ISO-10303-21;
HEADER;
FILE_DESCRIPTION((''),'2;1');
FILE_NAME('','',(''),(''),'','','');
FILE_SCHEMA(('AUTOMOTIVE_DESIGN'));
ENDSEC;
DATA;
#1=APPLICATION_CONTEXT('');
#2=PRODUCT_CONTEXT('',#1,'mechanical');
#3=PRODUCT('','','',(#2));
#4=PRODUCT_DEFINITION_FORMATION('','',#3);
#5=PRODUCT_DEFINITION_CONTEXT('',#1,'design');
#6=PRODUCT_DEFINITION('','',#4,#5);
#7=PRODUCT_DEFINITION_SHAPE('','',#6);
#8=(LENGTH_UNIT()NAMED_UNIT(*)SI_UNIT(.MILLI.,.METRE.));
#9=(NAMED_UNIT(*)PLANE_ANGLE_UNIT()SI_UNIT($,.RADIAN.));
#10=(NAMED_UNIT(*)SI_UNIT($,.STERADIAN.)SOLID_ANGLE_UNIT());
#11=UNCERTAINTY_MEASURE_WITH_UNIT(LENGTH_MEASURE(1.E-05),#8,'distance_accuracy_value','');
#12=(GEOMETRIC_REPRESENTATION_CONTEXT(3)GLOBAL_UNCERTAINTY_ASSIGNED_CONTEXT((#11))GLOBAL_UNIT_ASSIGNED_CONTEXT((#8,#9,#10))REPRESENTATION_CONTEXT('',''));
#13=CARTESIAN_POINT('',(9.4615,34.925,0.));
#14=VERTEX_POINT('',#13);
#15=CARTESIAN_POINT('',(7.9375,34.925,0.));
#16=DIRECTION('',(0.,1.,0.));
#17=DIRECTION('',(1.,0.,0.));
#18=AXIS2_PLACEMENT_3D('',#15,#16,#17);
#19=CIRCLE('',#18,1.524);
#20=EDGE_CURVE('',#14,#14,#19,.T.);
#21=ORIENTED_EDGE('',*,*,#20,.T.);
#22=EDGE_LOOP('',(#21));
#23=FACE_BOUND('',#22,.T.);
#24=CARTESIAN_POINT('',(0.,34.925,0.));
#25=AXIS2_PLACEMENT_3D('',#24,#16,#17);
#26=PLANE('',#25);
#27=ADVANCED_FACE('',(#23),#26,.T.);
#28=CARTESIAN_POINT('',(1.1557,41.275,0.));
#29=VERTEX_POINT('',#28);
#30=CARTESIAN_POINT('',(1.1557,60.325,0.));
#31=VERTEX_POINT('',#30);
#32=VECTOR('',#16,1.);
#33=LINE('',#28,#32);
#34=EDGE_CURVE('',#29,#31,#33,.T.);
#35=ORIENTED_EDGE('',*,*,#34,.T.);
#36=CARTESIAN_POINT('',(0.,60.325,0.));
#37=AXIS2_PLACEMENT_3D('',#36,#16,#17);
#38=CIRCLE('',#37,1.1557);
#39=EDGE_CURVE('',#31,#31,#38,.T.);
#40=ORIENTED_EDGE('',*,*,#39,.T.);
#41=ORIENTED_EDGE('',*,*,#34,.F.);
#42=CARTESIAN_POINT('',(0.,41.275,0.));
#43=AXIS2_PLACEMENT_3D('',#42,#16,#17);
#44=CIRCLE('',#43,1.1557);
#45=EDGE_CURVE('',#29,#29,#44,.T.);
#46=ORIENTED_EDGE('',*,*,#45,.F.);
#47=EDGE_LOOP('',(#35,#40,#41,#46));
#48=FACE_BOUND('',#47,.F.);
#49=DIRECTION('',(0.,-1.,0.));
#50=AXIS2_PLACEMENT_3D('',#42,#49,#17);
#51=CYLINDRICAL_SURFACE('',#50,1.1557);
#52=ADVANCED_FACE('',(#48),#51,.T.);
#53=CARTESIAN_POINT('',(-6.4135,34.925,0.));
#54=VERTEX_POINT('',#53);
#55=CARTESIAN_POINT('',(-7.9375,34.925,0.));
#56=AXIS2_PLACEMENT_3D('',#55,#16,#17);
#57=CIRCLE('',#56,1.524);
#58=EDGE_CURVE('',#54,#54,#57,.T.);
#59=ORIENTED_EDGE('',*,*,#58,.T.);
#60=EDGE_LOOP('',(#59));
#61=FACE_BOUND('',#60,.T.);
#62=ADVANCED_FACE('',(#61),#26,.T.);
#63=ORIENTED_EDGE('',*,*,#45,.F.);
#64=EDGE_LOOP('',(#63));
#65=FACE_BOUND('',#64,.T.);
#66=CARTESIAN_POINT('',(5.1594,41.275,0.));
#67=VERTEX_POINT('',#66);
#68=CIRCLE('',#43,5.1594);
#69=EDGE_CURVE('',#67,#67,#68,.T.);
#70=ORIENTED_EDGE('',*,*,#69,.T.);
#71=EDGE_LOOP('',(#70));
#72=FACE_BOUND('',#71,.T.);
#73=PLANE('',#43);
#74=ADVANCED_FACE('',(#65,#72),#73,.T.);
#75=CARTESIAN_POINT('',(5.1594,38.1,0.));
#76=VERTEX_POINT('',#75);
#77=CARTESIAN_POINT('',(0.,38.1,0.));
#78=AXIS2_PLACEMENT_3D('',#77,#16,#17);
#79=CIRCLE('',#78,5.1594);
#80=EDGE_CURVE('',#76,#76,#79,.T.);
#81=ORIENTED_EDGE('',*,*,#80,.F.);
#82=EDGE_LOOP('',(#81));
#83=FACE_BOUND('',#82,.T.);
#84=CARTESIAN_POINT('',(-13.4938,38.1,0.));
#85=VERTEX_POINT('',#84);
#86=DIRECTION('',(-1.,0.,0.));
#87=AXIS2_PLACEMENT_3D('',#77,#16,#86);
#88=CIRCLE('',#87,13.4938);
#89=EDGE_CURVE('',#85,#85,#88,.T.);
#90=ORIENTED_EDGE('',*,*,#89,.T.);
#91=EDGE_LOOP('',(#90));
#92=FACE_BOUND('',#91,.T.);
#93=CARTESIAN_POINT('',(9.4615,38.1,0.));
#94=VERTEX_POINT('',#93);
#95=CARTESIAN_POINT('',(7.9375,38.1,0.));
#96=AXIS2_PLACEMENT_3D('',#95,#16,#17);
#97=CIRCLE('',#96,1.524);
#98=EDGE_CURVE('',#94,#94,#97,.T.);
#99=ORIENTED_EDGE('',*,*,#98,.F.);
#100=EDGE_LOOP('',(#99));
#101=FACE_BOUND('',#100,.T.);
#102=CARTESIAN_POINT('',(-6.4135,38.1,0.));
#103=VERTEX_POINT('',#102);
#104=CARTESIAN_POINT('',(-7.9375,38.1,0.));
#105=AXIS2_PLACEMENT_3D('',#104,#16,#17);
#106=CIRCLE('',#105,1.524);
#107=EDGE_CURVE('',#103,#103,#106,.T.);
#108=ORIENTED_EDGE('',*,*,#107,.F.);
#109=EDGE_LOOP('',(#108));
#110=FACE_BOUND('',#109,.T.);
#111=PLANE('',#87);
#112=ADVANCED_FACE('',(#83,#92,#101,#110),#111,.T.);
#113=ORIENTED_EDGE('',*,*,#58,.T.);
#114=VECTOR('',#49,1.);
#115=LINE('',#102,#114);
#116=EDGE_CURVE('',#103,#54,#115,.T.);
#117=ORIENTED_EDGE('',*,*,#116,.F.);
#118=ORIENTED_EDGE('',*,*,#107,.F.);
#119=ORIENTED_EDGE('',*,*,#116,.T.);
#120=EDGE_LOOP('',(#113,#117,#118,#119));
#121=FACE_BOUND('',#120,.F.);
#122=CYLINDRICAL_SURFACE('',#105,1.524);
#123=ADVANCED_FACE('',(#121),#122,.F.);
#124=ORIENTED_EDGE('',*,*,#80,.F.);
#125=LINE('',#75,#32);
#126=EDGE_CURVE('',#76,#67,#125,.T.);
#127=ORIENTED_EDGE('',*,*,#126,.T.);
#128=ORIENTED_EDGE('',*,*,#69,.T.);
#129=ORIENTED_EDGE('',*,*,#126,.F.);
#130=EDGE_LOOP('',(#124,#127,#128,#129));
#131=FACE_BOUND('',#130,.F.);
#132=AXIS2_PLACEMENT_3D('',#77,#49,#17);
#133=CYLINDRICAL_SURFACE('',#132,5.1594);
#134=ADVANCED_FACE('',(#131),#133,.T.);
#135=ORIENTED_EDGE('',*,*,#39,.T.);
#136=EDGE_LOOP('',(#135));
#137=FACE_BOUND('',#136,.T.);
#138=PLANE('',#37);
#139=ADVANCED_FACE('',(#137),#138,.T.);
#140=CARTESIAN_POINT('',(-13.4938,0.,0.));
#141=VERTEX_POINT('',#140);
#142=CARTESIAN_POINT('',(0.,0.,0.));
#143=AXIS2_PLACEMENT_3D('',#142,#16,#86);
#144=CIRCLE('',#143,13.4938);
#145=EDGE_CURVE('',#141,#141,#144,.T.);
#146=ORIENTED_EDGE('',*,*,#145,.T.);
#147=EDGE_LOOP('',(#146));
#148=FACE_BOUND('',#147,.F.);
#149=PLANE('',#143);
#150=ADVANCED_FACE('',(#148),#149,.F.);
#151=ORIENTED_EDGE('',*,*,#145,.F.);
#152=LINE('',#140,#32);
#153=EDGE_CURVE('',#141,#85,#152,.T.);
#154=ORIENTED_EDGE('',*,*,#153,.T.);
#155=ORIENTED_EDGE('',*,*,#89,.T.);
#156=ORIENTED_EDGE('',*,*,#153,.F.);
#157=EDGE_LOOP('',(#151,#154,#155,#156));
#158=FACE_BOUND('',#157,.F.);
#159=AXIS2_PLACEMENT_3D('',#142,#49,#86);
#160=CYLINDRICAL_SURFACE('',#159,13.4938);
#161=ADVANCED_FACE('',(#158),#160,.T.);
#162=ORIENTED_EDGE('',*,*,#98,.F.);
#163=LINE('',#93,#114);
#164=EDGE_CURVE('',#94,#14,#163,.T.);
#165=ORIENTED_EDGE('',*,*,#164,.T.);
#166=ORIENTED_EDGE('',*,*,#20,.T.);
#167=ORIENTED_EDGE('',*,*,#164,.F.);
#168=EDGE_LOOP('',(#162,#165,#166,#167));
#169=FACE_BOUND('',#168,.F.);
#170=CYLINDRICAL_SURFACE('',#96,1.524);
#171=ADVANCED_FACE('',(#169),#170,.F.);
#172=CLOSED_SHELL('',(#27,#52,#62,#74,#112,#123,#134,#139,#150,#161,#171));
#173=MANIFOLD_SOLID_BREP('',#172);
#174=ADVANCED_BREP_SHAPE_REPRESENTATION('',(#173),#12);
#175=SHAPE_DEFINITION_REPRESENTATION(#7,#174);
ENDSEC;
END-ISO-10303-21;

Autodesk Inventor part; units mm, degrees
ref_plane "YZ Plane" through (0, 0, 0) normal (1, 0, 0) x (0, 1, 0)
ref_plane "XZ Plane" through (0, 0, 0) normal (0, 1, 0) x (-1, 0, 0)
ref_plane "XY Plane" through (0, 0, 0) normal (0, 0, 1) x (1, 0, 0)
sketch "Sketch1" plane through (0, 0, 0) normal (0, 1, 0) x (-1, 0, 0)
  circle A0 centre (0, 0) radius 13.4938
  dimension "d0" = 26.9875
extrude "Extrusion1" add sketch "Sketch1" along normal blind 38.1
sketch "Sketch2" plane through (0, 38.1, 0) normal (0, 1, 0) x (1, 0, 0)
  circle A0 centre (0, 0) radius 5.1594
  dimension "d3" = 10.3187
extrude "Extrusion2" add sketch "Sketch2" along normal blind 3.175
sketch "Sketch3" plane through (0, 38.1, 0) normal (0, 1, 0) x (1, 0, 0)
  circle A0 centre (-7.9375, 0) radius 1.524
  line L0 (0, 0) -> (-7.9375, 0) construction
  line L1 (0, -15.84) -> (0, 17.6643) construction
  circle A1 centre (7.9375, 0) radius 1.524
  line L2 (0, 0) -> (7.9375, 0) construction
  dimension "d6" = 3.048
  dimension "d7" = 7.9375
  dimension "d8" = 0
  dimension "d9" = 17.6643
  dimension "d10" = 15.8399
extrude "Extrusion3" cut sketch "Sketch3" against normal blind 3.175
sketch "Sketch6" plane through (0, 41.275, 0) normal (0, 1, 0) x (1, 0, 0)
  circle A0 centre (0, 0) radius 1.1557
  dimension "d18" = 2.3114
extrude "Extrusion6" add sketch "Sketch6" along normal blind 19.05
properties part number "motor"
